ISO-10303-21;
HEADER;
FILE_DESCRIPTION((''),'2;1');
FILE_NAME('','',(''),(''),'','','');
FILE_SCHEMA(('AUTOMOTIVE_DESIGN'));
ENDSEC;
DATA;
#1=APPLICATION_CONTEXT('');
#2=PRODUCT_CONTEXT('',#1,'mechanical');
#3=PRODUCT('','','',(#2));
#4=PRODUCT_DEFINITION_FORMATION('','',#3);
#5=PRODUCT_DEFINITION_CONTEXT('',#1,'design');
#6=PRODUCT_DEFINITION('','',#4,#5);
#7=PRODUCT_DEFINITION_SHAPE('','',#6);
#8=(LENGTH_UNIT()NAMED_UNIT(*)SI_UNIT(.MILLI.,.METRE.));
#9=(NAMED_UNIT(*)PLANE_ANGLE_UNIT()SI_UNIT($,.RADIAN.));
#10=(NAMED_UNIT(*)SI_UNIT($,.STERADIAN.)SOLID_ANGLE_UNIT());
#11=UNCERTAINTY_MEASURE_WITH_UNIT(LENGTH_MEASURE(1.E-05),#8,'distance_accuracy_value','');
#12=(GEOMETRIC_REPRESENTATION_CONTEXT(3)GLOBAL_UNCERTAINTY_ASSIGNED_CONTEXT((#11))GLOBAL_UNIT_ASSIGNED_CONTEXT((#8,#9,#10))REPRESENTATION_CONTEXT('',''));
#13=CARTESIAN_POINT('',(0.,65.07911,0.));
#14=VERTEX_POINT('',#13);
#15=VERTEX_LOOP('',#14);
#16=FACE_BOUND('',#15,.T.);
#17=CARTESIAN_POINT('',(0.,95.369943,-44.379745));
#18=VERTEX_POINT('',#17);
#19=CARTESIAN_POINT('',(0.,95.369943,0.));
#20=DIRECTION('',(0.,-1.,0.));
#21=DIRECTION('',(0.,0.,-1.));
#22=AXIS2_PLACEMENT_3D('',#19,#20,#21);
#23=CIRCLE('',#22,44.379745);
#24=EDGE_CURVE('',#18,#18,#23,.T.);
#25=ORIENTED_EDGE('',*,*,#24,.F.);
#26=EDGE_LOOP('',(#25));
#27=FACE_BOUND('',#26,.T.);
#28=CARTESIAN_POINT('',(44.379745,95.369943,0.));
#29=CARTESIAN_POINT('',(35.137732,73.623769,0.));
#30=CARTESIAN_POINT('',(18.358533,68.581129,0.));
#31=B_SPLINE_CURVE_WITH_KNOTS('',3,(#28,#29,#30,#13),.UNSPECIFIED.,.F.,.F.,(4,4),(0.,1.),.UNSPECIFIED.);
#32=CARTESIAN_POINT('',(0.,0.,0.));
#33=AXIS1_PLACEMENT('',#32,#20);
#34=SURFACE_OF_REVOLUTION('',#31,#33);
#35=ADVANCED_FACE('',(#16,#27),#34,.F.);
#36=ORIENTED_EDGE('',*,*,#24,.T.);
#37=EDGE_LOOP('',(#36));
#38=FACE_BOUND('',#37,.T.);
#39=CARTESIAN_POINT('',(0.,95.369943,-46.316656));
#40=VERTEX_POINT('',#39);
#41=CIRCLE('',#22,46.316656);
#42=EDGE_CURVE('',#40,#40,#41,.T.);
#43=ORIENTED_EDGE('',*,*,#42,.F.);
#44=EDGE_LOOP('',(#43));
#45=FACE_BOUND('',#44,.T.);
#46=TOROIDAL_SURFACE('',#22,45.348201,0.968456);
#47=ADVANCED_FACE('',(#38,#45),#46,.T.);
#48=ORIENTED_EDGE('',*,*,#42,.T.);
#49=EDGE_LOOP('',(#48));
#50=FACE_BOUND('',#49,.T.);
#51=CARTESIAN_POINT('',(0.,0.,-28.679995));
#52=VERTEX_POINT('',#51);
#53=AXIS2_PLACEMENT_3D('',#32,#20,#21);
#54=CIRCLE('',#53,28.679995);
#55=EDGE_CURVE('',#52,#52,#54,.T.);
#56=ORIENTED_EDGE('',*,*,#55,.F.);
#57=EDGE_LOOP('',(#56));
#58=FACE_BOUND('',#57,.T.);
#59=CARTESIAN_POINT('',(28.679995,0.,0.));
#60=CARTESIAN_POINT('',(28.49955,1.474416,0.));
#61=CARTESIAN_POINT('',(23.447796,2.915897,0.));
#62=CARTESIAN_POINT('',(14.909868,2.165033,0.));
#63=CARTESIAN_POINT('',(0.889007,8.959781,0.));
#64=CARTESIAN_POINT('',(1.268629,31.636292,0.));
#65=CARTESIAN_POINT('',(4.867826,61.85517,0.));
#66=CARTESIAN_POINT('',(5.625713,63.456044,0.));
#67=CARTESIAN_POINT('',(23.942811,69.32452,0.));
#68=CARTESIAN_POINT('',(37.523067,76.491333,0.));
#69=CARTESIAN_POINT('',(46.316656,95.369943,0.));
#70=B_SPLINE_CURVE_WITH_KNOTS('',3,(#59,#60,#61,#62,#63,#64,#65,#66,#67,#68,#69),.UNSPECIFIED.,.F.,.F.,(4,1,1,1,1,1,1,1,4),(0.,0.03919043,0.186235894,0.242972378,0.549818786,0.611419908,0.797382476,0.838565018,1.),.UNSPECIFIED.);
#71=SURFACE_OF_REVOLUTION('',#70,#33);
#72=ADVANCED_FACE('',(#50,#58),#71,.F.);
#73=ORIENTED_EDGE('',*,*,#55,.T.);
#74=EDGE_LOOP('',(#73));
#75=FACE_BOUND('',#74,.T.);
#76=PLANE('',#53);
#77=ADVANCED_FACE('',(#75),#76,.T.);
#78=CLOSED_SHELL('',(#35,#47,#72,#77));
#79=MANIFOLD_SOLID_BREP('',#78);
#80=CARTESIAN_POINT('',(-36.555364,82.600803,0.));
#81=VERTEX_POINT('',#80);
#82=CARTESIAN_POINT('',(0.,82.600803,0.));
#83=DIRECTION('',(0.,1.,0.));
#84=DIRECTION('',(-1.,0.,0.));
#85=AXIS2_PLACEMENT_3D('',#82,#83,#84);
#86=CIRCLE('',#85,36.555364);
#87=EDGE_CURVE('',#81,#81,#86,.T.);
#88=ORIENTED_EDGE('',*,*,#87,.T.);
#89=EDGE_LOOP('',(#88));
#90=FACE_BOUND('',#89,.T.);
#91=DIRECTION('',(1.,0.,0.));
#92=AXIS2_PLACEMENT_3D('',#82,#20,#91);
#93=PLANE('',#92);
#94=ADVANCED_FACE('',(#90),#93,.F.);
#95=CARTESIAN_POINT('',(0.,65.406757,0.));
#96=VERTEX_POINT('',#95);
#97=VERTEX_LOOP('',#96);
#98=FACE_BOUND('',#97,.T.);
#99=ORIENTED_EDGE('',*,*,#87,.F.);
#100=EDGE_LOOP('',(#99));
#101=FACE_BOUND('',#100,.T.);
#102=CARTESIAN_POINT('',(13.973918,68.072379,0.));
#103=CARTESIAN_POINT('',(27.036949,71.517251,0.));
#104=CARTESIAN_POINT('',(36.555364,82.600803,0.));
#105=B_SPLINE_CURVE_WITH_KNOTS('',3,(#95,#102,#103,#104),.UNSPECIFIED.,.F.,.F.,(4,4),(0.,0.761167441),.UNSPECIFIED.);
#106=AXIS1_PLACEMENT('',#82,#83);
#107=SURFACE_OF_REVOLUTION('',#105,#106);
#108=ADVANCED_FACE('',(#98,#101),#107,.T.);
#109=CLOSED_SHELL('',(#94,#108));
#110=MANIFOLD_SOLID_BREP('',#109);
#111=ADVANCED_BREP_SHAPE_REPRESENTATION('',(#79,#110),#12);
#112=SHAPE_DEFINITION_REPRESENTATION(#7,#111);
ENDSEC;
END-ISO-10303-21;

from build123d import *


with BuildPart() as part:
    # Sketch1 → Revolve1 (revolve)
    with BuildSketch(Plane.XY, mode=Mode.PRIVATE) as revolve1_sk:
        with BuildLine():
            Line((0, 0), (28.679995273, 0))
            add(Edge.make_bspline(
                [(28.679995273, 0), (28.499550341, 1.474416408), (23.447795777, 2.915897209), (14.909867742, 2.165032734), (0.889007044, 8.959781172), (1.268629115, 31.636291975), (4.867826269, 61.855169993), (5.62571258, 63.456043511), (23.942811369, 69.32451964), (37.523066981, 76.491333322), (46.316656487, 95.369942809)],
                knots=[0, 0, 0, 0, 0.03919043, 0.186235894, 0.242972378, 0.549818786, 0.611419908, 0.797382476, 0.838565018, 1, 1, 1, 1], degree=3))
            ThreePointArc((46.316656487, 95.369942809), (45.348200734, 96.338398562), (44.379744981, 95.369942809))
            add(Edge.make_bspline(
                [(0, 65.079110379), (18.358533332, 68.581128732), (35.137731713, 73.623769404), (44.379744981, 95.369942809)],
                knots=[0, 0, 0, 0, 1, 1, 1, 1], degree=3))
            Line((0, 65.079110379), (0, 0))
        make_face()
    revolve(revolve1_sk.sketch.rotate(Axis((0, 0, 0), (0, 1, 0)), 90), axis=Axis((0, 0, 0), (0, 1, 0)))


with BuildPart() as body_2:
    # Sketch2 → Revolve2 (revolve)
    with BuildSketch(Plane.XY):
        with BuildLine():
            Line((0, 82.600802979), (0, 65.406756668))
            add(Edge.make_bspline(
                [(0, 65.406756668), (13.97391783, 68.072379015), (27.036949285, 71.517250648), (36.555364428, 82.600802979)],
                knots=[0, 0, 0, 0, 0.761167441, 0.761167441, 0.761167441, 0.761167441], degree=3))
            Line((36.555364428, 82.600802979), (0, 82.600802979))
        make_face()
    revolve(axis=Axis((0, 82.600802979, 0), (0, -1, 0)))


solid = Compound([part.part, body_2.part])
